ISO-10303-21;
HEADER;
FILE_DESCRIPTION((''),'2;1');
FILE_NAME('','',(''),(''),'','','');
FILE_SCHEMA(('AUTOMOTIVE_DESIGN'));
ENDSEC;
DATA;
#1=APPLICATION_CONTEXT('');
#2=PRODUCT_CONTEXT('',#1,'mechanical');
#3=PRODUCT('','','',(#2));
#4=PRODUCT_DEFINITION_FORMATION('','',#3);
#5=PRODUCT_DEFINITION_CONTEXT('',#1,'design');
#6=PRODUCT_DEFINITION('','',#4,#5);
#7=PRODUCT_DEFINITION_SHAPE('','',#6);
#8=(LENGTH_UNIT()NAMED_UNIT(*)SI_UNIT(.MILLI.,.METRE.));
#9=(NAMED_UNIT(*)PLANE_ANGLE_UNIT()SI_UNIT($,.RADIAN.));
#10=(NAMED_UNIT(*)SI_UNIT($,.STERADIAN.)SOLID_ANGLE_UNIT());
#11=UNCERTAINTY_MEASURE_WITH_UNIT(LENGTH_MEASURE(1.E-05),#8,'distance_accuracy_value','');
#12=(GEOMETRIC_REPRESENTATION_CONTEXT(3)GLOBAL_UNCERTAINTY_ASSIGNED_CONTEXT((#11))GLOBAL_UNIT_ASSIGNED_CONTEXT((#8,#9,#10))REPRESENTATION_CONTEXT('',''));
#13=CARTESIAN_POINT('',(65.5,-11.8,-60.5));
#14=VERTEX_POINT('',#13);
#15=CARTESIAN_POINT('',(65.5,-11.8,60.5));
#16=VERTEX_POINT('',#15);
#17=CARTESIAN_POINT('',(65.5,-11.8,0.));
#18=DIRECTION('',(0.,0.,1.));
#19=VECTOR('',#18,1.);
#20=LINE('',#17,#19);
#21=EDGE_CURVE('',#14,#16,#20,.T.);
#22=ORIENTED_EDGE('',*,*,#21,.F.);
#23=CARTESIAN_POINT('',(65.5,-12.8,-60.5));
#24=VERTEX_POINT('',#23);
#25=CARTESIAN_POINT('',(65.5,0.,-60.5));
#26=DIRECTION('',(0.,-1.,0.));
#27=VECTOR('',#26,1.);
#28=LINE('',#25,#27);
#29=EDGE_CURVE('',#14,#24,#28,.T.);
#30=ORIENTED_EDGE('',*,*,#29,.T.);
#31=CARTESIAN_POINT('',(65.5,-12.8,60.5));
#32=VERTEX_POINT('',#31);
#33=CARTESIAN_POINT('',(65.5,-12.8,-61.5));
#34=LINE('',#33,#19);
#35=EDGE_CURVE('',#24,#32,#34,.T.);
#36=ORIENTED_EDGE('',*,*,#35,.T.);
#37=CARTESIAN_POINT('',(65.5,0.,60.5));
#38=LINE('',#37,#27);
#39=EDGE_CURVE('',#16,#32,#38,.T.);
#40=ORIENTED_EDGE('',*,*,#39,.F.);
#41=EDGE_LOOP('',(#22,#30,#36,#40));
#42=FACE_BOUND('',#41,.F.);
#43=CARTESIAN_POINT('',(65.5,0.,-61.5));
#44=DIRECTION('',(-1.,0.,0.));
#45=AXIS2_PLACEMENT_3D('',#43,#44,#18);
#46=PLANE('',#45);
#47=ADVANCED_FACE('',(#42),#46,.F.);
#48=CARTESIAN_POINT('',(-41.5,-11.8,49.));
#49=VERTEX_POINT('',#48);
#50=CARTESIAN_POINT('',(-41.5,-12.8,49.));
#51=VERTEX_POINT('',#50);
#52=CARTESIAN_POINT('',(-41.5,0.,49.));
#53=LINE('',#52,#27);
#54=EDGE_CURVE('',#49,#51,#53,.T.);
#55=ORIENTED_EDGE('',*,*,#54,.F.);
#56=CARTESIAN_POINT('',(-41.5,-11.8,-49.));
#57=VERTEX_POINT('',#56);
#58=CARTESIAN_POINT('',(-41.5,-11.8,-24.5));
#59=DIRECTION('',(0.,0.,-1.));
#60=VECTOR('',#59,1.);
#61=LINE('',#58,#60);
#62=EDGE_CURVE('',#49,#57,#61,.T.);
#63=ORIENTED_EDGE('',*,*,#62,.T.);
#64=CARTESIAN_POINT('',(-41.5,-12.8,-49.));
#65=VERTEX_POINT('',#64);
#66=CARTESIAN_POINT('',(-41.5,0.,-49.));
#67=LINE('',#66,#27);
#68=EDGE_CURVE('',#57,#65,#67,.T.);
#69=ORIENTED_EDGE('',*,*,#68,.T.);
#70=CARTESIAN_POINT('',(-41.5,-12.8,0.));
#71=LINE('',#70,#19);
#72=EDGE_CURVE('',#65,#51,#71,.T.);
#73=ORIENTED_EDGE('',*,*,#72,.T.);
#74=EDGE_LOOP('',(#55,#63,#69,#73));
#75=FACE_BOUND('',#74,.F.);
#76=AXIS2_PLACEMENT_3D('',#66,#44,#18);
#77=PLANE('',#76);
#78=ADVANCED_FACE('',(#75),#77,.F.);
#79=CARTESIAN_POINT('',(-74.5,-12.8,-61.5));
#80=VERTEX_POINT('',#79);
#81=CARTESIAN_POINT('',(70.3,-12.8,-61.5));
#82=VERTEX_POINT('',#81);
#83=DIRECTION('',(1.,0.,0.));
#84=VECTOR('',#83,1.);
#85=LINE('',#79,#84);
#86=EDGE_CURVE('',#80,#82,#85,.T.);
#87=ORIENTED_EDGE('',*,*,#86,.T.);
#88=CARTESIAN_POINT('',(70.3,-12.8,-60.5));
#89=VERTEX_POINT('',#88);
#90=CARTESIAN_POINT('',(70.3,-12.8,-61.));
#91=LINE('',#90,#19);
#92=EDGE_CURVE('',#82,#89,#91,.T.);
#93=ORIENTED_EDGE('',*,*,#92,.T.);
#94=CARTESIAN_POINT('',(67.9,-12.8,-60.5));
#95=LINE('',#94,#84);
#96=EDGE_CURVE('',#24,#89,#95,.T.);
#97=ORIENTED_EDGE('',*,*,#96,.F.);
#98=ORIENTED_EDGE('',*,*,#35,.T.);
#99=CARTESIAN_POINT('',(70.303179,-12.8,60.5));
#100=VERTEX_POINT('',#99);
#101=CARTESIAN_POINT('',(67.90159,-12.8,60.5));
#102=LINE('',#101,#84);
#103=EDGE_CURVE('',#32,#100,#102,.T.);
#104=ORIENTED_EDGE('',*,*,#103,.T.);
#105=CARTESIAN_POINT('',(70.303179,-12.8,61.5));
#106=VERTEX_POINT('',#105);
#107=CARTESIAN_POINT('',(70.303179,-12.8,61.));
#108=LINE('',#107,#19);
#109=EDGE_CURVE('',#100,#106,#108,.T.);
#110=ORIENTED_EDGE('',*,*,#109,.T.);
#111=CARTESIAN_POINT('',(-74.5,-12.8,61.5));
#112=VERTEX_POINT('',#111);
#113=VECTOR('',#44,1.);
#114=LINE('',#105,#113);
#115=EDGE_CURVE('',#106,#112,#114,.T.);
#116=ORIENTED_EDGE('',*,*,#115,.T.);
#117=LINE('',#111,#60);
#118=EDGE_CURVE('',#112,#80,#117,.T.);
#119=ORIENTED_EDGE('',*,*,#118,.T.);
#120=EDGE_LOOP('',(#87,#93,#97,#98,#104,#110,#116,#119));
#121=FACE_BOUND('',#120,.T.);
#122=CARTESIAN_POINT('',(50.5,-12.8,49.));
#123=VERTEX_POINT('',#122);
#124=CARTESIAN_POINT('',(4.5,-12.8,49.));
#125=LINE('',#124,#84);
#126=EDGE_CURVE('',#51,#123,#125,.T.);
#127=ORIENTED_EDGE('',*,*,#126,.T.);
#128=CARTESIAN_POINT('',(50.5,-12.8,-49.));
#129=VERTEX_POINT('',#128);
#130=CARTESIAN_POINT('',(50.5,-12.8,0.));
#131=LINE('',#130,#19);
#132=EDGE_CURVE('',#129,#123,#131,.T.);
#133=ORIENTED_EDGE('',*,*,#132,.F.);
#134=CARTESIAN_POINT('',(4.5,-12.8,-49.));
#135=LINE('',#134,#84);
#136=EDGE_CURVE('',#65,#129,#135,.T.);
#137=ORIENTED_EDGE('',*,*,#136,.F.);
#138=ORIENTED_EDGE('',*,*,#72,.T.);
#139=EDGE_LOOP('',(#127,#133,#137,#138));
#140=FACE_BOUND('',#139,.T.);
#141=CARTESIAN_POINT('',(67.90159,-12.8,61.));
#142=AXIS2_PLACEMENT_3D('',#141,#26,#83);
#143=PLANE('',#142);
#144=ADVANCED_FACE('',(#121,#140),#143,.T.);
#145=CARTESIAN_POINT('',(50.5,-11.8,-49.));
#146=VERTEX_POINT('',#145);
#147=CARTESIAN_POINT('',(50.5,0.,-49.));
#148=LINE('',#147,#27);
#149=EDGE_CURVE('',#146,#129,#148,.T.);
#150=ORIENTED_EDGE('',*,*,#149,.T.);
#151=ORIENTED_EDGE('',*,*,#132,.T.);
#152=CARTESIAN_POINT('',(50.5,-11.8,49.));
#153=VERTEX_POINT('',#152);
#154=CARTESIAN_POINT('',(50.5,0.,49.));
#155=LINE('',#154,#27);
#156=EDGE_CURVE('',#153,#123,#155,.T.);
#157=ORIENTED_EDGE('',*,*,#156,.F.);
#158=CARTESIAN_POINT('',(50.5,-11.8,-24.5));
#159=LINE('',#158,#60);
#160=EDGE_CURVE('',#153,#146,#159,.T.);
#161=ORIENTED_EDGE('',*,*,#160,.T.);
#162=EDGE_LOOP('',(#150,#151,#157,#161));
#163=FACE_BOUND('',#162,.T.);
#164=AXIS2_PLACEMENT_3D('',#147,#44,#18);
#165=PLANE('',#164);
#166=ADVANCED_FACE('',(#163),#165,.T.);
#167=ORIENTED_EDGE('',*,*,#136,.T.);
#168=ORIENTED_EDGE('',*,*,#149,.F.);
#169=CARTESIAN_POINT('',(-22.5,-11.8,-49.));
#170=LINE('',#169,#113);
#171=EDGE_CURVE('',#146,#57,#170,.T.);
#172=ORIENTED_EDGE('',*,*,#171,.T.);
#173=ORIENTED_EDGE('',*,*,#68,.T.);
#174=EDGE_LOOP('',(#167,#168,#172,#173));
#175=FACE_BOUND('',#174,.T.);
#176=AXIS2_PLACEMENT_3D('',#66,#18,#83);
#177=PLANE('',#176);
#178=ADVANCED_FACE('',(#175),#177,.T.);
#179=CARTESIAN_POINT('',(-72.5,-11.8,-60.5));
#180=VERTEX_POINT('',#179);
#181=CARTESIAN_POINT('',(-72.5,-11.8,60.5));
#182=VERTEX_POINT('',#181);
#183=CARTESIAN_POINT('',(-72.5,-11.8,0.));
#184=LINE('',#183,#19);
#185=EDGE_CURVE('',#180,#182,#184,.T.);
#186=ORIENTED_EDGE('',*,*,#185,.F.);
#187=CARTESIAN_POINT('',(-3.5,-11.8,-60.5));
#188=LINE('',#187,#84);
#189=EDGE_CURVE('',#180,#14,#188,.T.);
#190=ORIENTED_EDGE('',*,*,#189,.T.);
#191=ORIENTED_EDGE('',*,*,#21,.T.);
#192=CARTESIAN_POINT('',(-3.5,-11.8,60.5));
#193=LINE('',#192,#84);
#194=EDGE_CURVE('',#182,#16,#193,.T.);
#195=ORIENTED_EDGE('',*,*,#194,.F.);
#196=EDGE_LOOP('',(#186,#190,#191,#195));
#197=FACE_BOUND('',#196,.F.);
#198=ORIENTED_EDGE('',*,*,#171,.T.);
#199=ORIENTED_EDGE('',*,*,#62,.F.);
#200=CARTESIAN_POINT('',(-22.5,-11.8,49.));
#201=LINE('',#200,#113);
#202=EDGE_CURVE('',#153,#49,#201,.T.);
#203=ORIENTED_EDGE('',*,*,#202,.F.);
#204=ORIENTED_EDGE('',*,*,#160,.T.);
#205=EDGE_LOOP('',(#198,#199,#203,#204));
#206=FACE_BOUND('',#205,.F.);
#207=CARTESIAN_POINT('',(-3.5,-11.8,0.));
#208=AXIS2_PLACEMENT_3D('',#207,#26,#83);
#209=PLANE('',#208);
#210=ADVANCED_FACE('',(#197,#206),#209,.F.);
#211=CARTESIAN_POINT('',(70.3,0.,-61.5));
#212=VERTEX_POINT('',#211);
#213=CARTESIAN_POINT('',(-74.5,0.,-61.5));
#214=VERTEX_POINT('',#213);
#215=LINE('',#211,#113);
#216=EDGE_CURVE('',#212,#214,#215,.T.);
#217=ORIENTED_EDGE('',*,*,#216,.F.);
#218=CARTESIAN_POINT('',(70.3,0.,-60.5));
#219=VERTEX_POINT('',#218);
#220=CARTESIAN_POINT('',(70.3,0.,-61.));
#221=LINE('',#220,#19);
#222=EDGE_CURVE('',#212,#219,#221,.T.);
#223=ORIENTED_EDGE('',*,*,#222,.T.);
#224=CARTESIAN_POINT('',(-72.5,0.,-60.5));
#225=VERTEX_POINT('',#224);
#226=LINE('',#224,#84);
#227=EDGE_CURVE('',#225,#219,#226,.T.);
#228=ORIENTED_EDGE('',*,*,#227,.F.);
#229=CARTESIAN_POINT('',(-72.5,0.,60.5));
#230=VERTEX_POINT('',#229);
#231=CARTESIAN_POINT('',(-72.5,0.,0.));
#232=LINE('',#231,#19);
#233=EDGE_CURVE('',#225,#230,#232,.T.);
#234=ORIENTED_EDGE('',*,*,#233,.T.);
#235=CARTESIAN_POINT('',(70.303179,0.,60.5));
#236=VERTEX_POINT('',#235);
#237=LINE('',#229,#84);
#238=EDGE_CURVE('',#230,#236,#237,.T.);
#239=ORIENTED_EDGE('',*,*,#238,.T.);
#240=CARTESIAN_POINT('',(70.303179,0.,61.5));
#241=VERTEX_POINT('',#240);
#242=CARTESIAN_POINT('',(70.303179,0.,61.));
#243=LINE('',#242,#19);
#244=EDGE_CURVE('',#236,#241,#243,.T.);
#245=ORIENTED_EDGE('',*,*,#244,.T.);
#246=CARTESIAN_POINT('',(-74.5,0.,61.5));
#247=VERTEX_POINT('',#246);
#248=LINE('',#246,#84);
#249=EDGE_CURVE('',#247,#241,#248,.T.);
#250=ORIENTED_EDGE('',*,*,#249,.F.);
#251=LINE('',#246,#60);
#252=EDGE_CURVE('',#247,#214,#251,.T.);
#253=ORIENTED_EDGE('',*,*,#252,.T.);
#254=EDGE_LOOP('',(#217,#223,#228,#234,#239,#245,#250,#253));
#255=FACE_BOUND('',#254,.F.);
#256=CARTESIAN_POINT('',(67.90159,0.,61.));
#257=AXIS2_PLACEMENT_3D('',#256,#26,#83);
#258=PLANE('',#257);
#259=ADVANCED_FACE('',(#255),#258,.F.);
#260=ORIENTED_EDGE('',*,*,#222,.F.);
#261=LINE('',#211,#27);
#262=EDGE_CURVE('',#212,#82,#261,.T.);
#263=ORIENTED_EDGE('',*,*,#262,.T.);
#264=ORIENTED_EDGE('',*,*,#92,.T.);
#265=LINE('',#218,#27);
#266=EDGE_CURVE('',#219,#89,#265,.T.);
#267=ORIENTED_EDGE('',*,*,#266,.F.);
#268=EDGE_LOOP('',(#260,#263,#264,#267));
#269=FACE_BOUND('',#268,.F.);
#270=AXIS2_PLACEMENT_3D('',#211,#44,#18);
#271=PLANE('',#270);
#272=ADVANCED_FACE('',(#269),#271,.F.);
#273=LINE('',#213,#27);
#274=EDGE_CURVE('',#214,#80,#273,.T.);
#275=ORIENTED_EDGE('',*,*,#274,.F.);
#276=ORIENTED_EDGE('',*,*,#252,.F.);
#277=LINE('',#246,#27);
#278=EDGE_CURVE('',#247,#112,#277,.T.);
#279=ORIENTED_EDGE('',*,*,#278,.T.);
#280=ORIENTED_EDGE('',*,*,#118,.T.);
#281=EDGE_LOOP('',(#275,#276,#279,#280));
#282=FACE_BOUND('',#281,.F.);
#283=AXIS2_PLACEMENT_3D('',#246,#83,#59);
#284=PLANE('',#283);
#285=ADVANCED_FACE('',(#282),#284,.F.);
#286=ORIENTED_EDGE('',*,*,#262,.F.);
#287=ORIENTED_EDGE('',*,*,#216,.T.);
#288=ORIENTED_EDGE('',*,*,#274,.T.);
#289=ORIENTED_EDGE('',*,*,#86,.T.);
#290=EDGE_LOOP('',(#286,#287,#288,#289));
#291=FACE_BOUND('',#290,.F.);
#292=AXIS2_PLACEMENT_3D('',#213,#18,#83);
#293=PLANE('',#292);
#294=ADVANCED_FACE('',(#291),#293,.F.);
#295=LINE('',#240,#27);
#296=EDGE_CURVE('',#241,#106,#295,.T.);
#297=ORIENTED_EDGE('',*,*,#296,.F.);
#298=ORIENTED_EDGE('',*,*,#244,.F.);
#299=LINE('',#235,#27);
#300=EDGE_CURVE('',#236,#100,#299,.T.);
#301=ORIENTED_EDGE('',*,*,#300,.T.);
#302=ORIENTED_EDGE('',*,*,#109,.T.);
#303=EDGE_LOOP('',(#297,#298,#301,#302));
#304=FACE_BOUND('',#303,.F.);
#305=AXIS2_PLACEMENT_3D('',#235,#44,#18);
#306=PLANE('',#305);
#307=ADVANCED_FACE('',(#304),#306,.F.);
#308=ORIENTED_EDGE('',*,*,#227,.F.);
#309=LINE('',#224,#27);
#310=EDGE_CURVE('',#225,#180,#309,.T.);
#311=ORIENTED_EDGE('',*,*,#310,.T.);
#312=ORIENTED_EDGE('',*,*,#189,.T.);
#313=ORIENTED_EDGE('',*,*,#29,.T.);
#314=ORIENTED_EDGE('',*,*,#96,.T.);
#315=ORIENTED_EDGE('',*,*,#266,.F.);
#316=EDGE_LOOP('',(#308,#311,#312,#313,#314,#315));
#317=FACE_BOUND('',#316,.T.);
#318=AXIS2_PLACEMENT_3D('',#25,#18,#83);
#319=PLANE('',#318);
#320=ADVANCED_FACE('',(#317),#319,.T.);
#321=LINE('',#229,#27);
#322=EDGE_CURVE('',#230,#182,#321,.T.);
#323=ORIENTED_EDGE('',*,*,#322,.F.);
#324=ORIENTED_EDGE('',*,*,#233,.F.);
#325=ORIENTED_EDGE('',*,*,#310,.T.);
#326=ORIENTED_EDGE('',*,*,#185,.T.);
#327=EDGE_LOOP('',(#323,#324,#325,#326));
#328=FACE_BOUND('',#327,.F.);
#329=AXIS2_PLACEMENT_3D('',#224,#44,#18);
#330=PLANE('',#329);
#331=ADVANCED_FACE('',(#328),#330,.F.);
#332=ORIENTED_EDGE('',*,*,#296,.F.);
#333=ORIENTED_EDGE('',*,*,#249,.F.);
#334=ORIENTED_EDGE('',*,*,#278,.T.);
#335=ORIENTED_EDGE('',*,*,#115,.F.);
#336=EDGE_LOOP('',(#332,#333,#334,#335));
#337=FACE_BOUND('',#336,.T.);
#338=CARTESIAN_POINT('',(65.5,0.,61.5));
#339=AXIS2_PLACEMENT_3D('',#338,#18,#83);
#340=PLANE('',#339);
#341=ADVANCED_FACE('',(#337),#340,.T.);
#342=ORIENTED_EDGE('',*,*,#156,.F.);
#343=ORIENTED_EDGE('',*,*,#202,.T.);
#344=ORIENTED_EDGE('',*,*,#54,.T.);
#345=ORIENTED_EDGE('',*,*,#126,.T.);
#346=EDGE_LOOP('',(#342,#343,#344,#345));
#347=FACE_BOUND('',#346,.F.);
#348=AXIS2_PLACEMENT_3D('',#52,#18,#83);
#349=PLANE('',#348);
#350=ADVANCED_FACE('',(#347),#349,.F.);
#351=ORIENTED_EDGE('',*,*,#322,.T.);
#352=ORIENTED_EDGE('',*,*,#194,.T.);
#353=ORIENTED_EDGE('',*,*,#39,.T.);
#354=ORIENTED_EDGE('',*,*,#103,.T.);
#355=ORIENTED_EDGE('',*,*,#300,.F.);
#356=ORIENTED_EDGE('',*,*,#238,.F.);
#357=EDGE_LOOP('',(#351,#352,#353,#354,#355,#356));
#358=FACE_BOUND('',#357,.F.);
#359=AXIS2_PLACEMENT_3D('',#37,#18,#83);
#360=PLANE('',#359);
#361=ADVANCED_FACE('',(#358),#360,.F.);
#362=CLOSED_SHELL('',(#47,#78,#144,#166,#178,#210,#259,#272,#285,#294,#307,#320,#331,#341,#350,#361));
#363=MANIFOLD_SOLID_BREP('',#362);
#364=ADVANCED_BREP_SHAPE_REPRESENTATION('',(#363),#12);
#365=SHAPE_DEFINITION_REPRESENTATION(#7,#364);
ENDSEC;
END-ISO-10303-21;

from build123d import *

# Parameters (mm, degrees)
F0_W     = 138
F0_H     = 121
F0_W_2   = 92
F0_H_2   = 98
F1_DEPTH = 12.8
F2_DEPTH = 11.8
F3_DEPTH = 12.8
F0_W_3   = 4.8031793237
F0_H_3   = 1
F0_W_4   = 4.8
F4_DEPTH = 12.8


with BuildPart() as f1:
    # F0 (on Front) → F1 (new body)
    with BuildSketch(Plane.XZ):
        with Locations((-3.5, 0)):
            Rectangle(F0_W, F0_H)
        with Locations((4.5, 0)):
            Rectangle(F0_W_2, F0_H_2, mode=Mode.SUBTRACT)
        with Locations((4.5, 0)):
            Rectangle(F0_W_2, F0_H_2)
        Polygon((-74.5, 61.5), (-74.5, -61.5), (65.5, -61.5), (65.5, -60.5), (-72.5, -60.5), (-72.5, 60.5), (65.5, 60.5), (65.5, 61.5), align=None)
    extrude(amount=F1_DEPTH)

    # F0 (on Front) → F2 (cut)
    with BuildSketch(Plane.XZ):
        with Locations((-3.5, 0)):
            Rectangle(F0_W, F0_H)
        with Locations((4.5, 0)):
            Rectangle(F0_W_2, F0_H_2, mode=Mode.SUBTRACT)
        with Locations((4.5, 0)):
            Rectangle(F0_W_2, F0_H_2)
    extrude(amount=F2_DEPTH, mode=Mode.SUBTRACT)

    # F0 (on Front) → F3 (cut)
    with BuildSketch(Plane.XZ):
        with Locations((4.5, 0)):
            Rectangle(F0_W_2, F0_H_2)
    extrude(amount=F3_DEPTH, mode=Mode.SUBTRACT)

    # F0 (on Front) → F4 (join)
    with BuildSketch(Plane.XZ):
        with Locations((67.9015896618, 61)):
            Rectangle(F0_W_3, F0_H_3)
        with Locations((67.9, -61)):
            Rectangle(F0_W_4, F0_H_3)
    extrude(amount=F4_DEPTH)


solid = f1.part
